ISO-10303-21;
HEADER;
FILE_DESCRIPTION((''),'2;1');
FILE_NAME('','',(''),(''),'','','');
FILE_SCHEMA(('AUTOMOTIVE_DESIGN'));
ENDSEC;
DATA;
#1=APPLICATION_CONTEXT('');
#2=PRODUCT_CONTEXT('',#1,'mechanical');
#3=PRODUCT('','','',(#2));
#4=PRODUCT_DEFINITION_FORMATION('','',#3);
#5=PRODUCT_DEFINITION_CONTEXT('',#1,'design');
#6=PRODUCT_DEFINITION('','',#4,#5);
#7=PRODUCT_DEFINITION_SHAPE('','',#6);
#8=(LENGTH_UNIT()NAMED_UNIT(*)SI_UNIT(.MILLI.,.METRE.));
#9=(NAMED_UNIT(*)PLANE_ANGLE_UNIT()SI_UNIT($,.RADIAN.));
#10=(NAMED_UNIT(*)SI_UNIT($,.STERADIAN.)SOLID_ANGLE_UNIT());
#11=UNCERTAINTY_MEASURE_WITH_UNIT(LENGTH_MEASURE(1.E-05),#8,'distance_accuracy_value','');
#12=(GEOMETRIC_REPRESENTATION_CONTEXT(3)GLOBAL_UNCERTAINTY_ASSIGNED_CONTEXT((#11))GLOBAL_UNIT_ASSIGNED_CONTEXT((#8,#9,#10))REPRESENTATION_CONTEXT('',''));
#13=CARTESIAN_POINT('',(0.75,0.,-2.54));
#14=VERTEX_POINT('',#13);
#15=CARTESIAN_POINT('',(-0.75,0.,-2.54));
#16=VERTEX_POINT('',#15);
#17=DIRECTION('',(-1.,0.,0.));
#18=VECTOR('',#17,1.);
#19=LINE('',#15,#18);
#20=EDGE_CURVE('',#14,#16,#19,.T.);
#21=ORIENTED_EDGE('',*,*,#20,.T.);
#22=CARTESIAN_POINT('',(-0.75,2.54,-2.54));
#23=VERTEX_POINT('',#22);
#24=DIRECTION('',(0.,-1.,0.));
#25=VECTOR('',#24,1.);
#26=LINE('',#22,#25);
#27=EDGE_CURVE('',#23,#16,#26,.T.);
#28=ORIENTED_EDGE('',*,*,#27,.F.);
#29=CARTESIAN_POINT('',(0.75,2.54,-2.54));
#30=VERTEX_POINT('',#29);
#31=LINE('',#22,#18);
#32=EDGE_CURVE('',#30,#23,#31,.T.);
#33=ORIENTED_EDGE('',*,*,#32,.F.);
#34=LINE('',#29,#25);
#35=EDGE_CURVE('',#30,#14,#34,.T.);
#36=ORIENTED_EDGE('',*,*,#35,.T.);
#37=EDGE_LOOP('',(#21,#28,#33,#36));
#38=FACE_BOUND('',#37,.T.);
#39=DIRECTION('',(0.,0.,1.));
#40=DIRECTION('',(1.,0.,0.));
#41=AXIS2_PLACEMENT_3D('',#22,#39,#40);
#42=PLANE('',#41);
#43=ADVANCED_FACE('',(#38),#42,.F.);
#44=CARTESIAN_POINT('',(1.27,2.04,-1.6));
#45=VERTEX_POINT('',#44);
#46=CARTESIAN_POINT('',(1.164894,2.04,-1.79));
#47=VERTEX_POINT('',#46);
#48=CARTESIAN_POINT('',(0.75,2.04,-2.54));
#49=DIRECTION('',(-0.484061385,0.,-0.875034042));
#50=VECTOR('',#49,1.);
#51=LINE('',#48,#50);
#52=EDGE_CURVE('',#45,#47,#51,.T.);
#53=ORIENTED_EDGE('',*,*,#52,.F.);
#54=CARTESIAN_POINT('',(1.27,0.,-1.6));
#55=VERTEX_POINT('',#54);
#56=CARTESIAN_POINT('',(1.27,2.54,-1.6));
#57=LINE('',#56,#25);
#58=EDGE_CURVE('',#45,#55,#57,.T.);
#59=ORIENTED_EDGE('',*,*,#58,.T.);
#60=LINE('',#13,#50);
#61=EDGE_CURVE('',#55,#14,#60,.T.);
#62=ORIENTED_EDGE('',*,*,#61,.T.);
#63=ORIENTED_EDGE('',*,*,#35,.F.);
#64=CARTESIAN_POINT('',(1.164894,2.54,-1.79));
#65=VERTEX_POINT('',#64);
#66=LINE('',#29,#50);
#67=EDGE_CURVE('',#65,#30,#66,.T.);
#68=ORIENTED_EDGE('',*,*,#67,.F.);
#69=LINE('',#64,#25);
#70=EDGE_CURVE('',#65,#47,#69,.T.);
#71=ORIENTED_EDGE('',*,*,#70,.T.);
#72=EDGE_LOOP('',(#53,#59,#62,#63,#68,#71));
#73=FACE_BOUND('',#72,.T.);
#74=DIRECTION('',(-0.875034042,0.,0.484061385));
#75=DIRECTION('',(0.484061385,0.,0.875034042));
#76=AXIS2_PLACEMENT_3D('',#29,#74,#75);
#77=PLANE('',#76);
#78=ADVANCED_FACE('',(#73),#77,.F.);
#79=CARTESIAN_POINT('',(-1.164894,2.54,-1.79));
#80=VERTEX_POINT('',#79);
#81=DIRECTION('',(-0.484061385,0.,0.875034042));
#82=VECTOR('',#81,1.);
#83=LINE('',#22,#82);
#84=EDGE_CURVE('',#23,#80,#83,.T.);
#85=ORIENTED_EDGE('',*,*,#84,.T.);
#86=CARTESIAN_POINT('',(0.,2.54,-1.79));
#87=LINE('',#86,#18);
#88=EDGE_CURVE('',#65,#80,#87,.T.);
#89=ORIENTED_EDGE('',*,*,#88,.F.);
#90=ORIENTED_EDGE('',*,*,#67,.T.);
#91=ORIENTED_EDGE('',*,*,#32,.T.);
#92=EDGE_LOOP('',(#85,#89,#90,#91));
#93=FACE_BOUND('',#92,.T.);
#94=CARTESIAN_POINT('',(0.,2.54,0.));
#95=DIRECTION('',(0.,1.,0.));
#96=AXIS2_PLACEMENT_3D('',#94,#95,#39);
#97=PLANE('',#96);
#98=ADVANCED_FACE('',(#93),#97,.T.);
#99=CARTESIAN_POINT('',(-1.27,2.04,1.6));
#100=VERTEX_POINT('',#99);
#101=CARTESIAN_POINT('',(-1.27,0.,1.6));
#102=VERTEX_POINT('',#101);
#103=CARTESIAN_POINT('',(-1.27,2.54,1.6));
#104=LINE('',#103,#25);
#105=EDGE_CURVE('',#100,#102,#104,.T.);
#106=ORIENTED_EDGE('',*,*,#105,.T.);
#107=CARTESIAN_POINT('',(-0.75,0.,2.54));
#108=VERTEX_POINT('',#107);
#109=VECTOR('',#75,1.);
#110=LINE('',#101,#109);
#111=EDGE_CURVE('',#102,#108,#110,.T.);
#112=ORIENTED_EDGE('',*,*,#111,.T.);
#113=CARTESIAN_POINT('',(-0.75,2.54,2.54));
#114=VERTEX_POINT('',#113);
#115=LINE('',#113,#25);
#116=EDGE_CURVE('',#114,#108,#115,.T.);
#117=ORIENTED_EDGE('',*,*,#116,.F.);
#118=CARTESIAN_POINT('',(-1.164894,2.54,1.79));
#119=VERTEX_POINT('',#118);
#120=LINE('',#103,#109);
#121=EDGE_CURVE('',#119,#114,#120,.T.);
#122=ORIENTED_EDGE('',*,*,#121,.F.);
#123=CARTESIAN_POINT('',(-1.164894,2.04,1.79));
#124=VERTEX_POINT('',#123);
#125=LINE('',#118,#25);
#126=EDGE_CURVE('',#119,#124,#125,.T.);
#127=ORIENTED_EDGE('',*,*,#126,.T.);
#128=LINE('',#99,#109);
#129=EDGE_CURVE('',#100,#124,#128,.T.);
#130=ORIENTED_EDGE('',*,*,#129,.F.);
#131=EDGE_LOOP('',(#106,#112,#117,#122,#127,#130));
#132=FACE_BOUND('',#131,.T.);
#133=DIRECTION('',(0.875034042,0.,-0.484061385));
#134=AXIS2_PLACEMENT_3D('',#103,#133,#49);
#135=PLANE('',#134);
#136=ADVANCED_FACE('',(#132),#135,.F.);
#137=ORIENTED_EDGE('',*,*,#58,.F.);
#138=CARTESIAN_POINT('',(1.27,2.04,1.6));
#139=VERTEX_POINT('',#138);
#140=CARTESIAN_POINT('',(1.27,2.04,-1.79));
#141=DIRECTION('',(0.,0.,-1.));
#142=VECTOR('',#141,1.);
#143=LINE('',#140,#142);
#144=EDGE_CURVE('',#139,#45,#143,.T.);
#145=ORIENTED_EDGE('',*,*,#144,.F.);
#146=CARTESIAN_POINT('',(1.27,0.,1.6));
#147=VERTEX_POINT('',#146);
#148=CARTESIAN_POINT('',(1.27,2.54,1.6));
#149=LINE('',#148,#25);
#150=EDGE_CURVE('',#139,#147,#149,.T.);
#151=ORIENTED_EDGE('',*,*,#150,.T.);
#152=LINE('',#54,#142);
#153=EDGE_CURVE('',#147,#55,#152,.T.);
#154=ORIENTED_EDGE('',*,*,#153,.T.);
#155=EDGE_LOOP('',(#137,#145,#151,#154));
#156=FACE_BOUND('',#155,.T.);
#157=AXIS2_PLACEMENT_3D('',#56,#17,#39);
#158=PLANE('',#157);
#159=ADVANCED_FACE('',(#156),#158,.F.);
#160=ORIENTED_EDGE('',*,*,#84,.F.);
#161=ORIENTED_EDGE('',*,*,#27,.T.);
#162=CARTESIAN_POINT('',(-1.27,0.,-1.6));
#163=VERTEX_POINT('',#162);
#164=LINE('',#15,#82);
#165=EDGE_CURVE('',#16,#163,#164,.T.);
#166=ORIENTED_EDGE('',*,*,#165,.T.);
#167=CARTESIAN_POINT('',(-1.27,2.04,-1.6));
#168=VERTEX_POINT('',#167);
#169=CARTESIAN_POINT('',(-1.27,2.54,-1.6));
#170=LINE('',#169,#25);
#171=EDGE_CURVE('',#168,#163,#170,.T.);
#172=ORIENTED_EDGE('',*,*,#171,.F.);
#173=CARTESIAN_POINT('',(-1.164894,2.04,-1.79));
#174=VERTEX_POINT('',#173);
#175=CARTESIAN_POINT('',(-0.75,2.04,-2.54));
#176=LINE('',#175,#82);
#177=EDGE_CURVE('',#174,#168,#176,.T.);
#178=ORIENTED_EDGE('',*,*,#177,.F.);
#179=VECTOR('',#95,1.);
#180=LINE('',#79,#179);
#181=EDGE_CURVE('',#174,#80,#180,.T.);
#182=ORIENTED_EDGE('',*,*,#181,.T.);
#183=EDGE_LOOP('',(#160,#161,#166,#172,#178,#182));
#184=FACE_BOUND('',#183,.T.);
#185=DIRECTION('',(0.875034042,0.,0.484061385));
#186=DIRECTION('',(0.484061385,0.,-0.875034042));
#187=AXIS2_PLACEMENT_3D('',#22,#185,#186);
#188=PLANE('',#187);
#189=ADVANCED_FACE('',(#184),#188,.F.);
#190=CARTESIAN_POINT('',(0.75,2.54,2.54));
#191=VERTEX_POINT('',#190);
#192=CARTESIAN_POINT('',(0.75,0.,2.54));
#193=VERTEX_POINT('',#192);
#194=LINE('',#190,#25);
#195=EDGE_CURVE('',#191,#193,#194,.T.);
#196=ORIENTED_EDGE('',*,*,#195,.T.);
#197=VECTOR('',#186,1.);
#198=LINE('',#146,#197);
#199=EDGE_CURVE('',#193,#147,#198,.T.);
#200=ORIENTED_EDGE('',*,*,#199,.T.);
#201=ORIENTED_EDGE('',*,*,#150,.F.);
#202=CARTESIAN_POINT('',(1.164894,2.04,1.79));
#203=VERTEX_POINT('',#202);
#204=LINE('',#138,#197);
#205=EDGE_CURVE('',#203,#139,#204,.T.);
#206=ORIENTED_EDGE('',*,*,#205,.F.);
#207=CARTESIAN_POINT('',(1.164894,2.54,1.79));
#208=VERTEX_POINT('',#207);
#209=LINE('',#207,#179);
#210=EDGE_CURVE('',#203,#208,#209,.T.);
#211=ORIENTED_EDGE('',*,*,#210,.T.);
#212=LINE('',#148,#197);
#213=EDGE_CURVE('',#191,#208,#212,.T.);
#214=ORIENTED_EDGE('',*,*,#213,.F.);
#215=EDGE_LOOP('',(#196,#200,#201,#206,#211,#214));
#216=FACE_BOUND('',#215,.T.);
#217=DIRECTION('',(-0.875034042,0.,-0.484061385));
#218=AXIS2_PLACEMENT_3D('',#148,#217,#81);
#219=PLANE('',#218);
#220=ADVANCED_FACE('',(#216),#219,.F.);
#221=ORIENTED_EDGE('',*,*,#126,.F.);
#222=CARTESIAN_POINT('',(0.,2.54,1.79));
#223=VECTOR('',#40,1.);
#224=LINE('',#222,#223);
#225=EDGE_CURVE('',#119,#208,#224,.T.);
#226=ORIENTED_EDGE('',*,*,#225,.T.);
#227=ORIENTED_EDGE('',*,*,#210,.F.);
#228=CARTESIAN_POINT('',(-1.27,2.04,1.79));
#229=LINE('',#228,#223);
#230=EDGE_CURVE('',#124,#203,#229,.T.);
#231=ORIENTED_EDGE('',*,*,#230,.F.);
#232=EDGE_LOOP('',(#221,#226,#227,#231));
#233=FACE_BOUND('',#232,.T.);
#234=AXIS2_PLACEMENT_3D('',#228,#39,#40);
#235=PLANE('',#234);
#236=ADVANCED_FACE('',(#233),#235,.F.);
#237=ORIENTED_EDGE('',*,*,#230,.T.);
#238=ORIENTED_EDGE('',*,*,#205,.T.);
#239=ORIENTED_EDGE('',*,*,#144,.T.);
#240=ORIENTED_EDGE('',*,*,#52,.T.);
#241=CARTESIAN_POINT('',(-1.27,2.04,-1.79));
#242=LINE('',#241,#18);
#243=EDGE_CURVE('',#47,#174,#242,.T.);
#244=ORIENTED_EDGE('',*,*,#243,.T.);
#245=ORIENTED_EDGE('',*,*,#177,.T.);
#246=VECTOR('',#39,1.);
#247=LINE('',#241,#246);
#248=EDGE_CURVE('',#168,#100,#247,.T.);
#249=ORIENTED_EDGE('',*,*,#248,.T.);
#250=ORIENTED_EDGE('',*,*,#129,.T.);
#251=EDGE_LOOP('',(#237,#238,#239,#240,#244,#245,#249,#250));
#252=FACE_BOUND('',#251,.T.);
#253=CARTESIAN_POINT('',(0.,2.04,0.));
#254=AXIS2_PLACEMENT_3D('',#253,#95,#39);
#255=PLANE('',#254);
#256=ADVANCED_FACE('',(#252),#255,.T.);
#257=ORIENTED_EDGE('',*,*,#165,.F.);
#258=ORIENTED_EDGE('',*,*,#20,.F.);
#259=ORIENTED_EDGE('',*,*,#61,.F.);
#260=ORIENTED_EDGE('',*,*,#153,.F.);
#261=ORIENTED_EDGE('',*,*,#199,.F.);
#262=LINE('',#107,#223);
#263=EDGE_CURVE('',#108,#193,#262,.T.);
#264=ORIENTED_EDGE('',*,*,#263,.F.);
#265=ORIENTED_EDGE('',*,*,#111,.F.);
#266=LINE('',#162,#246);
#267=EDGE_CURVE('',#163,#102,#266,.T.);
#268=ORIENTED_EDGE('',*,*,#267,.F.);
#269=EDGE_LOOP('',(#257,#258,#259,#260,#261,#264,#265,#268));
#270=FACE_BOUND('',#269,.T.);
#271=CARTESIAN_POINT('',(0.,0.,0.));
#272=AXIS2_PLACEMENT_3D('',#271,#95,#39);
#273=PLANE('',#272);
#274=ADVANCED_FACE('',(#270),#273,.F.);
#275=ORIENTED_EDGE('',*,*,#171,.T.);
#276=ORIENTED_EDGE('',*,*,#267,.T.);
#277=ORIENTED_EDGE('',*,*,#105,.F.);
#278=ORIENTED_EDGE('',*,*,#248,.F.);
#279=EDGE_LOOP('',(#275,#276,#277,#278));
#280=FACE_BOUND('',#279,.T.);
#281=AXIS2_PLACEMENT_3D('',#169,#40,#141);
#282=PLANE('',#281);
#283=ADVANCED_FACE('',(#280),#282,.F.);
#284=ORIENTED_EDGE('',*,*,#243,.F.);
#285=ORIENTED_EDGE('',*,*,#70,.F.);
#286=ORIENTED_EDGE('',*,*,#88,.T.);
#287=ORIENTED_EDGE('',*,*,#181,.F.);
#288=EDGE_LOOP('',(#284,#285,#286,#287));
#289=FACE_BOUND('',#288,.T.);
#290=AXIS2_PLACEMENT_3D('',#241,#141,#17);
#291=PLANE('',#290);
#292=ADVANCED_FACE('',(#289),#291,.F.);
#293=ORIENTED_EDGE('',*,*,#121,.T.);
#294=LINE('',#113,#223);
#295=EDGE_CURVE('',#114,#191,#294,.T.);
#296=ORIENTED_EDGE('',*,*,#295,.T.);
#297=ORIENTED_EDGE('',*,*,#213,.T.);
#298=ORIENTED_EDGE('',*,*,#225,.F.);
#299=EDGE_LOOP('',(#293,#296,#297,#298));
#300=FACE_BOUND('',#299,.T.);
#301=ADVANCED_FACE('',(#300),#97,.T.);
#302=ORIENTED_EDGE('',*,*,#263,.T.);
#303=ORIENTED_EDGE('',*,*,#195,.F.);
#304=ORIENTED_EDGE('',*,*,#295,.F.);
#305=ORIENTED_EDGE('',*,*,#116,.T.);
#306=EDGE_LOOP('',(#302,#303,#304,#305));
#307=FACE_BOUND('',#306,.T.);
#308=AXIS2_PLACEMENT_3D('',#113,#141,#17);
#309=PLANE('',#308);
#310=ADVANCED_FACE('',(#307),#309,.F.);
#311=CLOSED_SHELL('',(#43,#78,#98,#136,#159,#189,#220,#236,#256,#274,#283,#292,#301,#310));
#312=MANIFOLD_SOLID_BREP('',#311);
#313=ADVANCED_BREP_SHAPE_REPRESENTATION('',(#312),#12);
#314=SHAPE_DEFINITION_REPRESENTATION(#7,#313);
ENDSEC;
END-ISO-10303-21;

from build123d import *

# Parameters (mm, degrees)
EXTRUDE_1_DEPTH     = 2.54
SKETCH_2_W          = 2.54
SKETCH_2_H          = 3.58
CUT_EXTRUDE_1_DEPTH = 0.5


with BuildPart() as part:
    # Эскиз1 → Бобышка-Вытянуть1 (new body)
    with BuildSketch(Plane(origin=(0, 0, 0), x_dir=(1, 0, 0), z_dir=(0, 1, 0))):
        Polygon((-0.75, 2.54), (-1.27, 1.6), (-1.27, -1.6), (-0.75, -2.54), (0.75, -2.54), (1.27, -1.6), (1.27, 1.6), (0.75, 2.54), align=None)
    extrude(amount=EXTRUDE_1_DEPTH)

    # Эскиз2 → Вырез-Вытянуть1 (cut)
    with BuildSketch(Plane(origin=(0, 2.54, 0), x_dir=(1, 0, 0), z_dir=(0, 1, 0))):
        Rectangle(SKETCH_2_W, SKETCH_2_H)
    extrude(amount=-CUT_EXTRUDE_1_DEPTH, mode=Mode.SUBTRACT)


solid = part.part
